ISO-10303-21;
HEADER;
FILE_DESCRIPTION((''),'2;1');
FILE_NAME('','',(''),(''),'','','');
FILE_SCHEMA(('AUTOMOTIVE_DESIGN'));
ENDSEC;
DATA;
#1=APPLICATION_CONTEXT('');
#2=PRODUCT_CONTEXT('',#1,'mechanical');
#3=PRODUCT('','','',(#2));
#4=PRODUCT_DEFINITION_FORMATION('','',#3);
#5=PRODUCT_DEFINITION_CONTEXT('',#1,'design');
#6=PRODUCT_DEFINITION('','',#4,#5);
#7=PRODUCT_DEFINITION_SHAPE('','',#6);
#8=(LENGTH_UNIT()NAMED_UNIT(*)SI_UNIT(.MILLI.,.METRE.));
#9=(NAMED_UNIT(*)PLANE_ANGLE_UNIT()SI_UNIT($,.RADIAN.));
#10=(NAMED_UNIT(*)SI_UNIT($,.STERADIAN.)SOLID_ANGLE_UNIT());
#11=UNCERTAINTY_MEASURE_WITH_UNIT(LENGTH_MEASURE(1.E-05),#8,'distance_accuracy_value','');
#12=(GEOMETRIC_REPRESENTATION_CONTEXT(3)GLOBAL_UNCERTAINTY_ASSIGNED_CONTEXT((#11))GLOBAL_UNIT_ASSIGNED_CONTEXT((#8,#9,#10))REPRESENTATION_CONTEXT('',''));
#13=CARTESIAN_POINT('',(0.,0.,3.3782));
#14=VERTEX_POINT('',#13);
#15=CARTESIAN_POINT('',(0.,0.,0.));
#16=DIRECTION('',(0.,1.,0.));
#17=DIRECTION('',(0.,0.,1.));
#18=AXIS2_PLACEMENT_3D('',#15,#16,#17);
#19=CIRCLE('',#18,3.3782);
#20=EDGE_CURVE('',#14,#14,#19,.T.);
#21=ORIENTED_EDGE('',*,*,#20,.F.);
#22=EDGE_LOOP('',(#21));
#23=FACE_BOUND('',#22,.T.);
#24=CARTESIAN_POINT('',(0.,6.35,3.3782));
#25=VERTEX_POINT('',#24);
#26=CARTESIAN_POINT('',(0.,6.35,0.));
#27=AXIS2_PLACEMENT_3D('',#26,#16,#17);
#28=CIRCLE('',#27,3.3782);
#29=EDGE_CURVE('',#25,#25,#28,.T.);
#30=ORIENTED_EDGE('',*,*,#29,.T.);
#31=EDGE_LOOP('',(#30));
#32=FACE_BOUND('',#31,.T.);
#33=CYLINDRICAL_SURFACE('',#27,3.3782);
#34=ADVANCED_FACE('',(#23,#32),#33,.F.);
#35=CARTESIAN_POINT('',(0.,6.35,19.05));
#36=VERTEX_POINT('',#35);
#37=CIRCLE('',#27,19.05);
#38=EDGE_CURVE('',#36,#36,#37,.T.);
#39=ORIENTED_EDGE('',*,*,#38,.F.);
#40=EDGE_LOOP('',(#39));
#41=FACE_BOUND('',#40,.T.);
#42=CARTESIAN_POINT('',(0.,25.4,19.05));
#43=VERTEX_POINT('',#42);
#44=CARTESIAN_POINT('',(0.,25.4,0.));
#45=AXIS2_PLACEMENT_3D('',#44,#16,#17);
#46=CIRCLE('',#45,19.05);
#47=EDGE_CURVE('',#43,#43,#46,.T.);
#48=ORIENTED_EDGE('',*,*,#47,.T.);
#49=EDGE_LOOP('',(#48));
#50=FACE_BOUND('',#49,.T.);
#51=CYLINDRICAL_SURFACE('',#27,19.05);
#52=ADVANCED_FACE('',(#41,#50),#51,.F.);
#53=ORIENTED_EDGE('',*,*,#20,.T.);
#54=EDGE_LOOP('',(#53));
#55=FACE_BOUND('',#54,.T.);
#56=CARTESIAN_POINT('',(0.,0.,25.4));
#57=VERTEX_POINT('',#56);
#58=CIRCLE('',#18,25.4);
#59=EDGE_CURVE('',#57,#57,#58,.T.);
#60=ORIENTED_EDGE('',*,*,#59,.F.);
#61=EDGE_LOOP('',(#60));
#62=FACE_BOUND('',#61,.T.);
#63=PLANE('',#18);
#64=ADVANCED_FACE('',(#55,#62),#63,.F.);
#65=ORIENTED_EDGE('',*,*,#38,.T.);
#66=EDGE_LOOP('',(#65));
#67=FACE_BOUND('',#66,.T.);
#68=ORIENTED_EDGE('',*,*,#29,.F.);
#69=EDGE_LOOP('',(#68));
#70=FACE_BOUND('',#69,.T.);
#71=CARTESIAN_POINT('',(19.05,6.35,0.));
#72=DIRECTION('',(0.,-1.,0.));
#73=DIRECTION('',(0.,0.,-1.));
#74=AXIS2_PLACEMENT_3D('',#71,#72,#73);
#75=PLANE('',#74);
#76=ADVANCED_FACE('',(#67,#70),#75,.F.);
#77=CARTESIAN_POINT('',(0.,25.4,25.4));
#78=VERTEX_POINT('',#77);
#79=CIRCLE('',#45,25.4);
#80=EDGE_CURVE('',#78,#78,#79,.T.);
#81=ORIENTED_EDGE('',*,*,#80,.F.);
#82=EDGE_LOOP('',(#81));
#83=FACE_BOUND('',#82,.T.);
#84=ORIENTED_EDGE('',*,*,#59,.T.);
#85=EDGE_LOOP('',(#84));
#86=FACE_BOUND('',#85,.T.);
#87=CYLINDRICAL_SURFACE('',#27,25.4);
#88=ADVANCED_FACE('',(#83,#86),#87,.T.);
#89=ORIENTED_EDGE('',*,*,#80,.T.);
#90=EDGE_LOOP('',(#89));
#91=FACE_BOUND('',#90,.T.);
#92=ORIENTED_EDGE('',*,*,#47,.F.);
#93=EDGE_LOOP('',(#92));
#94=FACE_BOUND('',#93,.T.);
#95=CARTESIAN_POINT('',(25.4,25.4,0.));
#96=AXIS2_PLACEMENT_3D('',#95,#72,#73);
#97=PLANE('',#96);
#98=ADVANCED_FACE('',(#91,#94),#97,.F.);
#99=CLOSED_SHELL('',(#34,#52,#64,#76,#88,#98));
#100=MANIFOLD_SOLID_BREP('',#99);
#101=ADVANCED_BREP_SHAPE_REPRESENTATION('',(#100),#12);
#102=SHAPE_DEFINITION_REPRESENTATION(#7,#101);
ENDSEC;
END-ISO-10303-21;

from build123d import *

# Parameters (mm, degrees)
F_1_4_CLEARANCE_HOLE1_D = 6.7564


with BuildPart() as part:
    # Sketch1 → Revolve1 (revolve)
    with BuildSketch(Plane.XY, mode=Mode.PRIVATE) as revolve1_sk:
        Polygon((0, 0), (25.4, 0), (25.4, 25.4), (19.05, 25.4), (19.05, 6.35), (0, 6.35), align=None)
    revolve(revolve1_sk.sketch.rotate(Axis((0, 6.35, 0), (0, -1, 0)), 90), axis=Axis((0, 6.35, 0), (0, -1, 0)))

    # 1/4 Clearance Hole1 (through all)
    with Locations(Plane(origin=(0, 6.35, 0), x_dir=(1, 0, 0), z_dir=(0, 1, 0))):
        with Locations((0, 0)):
            Hole(F_1_4_CLEARANCE_HOLE1_D / 2)


solid = part.part
